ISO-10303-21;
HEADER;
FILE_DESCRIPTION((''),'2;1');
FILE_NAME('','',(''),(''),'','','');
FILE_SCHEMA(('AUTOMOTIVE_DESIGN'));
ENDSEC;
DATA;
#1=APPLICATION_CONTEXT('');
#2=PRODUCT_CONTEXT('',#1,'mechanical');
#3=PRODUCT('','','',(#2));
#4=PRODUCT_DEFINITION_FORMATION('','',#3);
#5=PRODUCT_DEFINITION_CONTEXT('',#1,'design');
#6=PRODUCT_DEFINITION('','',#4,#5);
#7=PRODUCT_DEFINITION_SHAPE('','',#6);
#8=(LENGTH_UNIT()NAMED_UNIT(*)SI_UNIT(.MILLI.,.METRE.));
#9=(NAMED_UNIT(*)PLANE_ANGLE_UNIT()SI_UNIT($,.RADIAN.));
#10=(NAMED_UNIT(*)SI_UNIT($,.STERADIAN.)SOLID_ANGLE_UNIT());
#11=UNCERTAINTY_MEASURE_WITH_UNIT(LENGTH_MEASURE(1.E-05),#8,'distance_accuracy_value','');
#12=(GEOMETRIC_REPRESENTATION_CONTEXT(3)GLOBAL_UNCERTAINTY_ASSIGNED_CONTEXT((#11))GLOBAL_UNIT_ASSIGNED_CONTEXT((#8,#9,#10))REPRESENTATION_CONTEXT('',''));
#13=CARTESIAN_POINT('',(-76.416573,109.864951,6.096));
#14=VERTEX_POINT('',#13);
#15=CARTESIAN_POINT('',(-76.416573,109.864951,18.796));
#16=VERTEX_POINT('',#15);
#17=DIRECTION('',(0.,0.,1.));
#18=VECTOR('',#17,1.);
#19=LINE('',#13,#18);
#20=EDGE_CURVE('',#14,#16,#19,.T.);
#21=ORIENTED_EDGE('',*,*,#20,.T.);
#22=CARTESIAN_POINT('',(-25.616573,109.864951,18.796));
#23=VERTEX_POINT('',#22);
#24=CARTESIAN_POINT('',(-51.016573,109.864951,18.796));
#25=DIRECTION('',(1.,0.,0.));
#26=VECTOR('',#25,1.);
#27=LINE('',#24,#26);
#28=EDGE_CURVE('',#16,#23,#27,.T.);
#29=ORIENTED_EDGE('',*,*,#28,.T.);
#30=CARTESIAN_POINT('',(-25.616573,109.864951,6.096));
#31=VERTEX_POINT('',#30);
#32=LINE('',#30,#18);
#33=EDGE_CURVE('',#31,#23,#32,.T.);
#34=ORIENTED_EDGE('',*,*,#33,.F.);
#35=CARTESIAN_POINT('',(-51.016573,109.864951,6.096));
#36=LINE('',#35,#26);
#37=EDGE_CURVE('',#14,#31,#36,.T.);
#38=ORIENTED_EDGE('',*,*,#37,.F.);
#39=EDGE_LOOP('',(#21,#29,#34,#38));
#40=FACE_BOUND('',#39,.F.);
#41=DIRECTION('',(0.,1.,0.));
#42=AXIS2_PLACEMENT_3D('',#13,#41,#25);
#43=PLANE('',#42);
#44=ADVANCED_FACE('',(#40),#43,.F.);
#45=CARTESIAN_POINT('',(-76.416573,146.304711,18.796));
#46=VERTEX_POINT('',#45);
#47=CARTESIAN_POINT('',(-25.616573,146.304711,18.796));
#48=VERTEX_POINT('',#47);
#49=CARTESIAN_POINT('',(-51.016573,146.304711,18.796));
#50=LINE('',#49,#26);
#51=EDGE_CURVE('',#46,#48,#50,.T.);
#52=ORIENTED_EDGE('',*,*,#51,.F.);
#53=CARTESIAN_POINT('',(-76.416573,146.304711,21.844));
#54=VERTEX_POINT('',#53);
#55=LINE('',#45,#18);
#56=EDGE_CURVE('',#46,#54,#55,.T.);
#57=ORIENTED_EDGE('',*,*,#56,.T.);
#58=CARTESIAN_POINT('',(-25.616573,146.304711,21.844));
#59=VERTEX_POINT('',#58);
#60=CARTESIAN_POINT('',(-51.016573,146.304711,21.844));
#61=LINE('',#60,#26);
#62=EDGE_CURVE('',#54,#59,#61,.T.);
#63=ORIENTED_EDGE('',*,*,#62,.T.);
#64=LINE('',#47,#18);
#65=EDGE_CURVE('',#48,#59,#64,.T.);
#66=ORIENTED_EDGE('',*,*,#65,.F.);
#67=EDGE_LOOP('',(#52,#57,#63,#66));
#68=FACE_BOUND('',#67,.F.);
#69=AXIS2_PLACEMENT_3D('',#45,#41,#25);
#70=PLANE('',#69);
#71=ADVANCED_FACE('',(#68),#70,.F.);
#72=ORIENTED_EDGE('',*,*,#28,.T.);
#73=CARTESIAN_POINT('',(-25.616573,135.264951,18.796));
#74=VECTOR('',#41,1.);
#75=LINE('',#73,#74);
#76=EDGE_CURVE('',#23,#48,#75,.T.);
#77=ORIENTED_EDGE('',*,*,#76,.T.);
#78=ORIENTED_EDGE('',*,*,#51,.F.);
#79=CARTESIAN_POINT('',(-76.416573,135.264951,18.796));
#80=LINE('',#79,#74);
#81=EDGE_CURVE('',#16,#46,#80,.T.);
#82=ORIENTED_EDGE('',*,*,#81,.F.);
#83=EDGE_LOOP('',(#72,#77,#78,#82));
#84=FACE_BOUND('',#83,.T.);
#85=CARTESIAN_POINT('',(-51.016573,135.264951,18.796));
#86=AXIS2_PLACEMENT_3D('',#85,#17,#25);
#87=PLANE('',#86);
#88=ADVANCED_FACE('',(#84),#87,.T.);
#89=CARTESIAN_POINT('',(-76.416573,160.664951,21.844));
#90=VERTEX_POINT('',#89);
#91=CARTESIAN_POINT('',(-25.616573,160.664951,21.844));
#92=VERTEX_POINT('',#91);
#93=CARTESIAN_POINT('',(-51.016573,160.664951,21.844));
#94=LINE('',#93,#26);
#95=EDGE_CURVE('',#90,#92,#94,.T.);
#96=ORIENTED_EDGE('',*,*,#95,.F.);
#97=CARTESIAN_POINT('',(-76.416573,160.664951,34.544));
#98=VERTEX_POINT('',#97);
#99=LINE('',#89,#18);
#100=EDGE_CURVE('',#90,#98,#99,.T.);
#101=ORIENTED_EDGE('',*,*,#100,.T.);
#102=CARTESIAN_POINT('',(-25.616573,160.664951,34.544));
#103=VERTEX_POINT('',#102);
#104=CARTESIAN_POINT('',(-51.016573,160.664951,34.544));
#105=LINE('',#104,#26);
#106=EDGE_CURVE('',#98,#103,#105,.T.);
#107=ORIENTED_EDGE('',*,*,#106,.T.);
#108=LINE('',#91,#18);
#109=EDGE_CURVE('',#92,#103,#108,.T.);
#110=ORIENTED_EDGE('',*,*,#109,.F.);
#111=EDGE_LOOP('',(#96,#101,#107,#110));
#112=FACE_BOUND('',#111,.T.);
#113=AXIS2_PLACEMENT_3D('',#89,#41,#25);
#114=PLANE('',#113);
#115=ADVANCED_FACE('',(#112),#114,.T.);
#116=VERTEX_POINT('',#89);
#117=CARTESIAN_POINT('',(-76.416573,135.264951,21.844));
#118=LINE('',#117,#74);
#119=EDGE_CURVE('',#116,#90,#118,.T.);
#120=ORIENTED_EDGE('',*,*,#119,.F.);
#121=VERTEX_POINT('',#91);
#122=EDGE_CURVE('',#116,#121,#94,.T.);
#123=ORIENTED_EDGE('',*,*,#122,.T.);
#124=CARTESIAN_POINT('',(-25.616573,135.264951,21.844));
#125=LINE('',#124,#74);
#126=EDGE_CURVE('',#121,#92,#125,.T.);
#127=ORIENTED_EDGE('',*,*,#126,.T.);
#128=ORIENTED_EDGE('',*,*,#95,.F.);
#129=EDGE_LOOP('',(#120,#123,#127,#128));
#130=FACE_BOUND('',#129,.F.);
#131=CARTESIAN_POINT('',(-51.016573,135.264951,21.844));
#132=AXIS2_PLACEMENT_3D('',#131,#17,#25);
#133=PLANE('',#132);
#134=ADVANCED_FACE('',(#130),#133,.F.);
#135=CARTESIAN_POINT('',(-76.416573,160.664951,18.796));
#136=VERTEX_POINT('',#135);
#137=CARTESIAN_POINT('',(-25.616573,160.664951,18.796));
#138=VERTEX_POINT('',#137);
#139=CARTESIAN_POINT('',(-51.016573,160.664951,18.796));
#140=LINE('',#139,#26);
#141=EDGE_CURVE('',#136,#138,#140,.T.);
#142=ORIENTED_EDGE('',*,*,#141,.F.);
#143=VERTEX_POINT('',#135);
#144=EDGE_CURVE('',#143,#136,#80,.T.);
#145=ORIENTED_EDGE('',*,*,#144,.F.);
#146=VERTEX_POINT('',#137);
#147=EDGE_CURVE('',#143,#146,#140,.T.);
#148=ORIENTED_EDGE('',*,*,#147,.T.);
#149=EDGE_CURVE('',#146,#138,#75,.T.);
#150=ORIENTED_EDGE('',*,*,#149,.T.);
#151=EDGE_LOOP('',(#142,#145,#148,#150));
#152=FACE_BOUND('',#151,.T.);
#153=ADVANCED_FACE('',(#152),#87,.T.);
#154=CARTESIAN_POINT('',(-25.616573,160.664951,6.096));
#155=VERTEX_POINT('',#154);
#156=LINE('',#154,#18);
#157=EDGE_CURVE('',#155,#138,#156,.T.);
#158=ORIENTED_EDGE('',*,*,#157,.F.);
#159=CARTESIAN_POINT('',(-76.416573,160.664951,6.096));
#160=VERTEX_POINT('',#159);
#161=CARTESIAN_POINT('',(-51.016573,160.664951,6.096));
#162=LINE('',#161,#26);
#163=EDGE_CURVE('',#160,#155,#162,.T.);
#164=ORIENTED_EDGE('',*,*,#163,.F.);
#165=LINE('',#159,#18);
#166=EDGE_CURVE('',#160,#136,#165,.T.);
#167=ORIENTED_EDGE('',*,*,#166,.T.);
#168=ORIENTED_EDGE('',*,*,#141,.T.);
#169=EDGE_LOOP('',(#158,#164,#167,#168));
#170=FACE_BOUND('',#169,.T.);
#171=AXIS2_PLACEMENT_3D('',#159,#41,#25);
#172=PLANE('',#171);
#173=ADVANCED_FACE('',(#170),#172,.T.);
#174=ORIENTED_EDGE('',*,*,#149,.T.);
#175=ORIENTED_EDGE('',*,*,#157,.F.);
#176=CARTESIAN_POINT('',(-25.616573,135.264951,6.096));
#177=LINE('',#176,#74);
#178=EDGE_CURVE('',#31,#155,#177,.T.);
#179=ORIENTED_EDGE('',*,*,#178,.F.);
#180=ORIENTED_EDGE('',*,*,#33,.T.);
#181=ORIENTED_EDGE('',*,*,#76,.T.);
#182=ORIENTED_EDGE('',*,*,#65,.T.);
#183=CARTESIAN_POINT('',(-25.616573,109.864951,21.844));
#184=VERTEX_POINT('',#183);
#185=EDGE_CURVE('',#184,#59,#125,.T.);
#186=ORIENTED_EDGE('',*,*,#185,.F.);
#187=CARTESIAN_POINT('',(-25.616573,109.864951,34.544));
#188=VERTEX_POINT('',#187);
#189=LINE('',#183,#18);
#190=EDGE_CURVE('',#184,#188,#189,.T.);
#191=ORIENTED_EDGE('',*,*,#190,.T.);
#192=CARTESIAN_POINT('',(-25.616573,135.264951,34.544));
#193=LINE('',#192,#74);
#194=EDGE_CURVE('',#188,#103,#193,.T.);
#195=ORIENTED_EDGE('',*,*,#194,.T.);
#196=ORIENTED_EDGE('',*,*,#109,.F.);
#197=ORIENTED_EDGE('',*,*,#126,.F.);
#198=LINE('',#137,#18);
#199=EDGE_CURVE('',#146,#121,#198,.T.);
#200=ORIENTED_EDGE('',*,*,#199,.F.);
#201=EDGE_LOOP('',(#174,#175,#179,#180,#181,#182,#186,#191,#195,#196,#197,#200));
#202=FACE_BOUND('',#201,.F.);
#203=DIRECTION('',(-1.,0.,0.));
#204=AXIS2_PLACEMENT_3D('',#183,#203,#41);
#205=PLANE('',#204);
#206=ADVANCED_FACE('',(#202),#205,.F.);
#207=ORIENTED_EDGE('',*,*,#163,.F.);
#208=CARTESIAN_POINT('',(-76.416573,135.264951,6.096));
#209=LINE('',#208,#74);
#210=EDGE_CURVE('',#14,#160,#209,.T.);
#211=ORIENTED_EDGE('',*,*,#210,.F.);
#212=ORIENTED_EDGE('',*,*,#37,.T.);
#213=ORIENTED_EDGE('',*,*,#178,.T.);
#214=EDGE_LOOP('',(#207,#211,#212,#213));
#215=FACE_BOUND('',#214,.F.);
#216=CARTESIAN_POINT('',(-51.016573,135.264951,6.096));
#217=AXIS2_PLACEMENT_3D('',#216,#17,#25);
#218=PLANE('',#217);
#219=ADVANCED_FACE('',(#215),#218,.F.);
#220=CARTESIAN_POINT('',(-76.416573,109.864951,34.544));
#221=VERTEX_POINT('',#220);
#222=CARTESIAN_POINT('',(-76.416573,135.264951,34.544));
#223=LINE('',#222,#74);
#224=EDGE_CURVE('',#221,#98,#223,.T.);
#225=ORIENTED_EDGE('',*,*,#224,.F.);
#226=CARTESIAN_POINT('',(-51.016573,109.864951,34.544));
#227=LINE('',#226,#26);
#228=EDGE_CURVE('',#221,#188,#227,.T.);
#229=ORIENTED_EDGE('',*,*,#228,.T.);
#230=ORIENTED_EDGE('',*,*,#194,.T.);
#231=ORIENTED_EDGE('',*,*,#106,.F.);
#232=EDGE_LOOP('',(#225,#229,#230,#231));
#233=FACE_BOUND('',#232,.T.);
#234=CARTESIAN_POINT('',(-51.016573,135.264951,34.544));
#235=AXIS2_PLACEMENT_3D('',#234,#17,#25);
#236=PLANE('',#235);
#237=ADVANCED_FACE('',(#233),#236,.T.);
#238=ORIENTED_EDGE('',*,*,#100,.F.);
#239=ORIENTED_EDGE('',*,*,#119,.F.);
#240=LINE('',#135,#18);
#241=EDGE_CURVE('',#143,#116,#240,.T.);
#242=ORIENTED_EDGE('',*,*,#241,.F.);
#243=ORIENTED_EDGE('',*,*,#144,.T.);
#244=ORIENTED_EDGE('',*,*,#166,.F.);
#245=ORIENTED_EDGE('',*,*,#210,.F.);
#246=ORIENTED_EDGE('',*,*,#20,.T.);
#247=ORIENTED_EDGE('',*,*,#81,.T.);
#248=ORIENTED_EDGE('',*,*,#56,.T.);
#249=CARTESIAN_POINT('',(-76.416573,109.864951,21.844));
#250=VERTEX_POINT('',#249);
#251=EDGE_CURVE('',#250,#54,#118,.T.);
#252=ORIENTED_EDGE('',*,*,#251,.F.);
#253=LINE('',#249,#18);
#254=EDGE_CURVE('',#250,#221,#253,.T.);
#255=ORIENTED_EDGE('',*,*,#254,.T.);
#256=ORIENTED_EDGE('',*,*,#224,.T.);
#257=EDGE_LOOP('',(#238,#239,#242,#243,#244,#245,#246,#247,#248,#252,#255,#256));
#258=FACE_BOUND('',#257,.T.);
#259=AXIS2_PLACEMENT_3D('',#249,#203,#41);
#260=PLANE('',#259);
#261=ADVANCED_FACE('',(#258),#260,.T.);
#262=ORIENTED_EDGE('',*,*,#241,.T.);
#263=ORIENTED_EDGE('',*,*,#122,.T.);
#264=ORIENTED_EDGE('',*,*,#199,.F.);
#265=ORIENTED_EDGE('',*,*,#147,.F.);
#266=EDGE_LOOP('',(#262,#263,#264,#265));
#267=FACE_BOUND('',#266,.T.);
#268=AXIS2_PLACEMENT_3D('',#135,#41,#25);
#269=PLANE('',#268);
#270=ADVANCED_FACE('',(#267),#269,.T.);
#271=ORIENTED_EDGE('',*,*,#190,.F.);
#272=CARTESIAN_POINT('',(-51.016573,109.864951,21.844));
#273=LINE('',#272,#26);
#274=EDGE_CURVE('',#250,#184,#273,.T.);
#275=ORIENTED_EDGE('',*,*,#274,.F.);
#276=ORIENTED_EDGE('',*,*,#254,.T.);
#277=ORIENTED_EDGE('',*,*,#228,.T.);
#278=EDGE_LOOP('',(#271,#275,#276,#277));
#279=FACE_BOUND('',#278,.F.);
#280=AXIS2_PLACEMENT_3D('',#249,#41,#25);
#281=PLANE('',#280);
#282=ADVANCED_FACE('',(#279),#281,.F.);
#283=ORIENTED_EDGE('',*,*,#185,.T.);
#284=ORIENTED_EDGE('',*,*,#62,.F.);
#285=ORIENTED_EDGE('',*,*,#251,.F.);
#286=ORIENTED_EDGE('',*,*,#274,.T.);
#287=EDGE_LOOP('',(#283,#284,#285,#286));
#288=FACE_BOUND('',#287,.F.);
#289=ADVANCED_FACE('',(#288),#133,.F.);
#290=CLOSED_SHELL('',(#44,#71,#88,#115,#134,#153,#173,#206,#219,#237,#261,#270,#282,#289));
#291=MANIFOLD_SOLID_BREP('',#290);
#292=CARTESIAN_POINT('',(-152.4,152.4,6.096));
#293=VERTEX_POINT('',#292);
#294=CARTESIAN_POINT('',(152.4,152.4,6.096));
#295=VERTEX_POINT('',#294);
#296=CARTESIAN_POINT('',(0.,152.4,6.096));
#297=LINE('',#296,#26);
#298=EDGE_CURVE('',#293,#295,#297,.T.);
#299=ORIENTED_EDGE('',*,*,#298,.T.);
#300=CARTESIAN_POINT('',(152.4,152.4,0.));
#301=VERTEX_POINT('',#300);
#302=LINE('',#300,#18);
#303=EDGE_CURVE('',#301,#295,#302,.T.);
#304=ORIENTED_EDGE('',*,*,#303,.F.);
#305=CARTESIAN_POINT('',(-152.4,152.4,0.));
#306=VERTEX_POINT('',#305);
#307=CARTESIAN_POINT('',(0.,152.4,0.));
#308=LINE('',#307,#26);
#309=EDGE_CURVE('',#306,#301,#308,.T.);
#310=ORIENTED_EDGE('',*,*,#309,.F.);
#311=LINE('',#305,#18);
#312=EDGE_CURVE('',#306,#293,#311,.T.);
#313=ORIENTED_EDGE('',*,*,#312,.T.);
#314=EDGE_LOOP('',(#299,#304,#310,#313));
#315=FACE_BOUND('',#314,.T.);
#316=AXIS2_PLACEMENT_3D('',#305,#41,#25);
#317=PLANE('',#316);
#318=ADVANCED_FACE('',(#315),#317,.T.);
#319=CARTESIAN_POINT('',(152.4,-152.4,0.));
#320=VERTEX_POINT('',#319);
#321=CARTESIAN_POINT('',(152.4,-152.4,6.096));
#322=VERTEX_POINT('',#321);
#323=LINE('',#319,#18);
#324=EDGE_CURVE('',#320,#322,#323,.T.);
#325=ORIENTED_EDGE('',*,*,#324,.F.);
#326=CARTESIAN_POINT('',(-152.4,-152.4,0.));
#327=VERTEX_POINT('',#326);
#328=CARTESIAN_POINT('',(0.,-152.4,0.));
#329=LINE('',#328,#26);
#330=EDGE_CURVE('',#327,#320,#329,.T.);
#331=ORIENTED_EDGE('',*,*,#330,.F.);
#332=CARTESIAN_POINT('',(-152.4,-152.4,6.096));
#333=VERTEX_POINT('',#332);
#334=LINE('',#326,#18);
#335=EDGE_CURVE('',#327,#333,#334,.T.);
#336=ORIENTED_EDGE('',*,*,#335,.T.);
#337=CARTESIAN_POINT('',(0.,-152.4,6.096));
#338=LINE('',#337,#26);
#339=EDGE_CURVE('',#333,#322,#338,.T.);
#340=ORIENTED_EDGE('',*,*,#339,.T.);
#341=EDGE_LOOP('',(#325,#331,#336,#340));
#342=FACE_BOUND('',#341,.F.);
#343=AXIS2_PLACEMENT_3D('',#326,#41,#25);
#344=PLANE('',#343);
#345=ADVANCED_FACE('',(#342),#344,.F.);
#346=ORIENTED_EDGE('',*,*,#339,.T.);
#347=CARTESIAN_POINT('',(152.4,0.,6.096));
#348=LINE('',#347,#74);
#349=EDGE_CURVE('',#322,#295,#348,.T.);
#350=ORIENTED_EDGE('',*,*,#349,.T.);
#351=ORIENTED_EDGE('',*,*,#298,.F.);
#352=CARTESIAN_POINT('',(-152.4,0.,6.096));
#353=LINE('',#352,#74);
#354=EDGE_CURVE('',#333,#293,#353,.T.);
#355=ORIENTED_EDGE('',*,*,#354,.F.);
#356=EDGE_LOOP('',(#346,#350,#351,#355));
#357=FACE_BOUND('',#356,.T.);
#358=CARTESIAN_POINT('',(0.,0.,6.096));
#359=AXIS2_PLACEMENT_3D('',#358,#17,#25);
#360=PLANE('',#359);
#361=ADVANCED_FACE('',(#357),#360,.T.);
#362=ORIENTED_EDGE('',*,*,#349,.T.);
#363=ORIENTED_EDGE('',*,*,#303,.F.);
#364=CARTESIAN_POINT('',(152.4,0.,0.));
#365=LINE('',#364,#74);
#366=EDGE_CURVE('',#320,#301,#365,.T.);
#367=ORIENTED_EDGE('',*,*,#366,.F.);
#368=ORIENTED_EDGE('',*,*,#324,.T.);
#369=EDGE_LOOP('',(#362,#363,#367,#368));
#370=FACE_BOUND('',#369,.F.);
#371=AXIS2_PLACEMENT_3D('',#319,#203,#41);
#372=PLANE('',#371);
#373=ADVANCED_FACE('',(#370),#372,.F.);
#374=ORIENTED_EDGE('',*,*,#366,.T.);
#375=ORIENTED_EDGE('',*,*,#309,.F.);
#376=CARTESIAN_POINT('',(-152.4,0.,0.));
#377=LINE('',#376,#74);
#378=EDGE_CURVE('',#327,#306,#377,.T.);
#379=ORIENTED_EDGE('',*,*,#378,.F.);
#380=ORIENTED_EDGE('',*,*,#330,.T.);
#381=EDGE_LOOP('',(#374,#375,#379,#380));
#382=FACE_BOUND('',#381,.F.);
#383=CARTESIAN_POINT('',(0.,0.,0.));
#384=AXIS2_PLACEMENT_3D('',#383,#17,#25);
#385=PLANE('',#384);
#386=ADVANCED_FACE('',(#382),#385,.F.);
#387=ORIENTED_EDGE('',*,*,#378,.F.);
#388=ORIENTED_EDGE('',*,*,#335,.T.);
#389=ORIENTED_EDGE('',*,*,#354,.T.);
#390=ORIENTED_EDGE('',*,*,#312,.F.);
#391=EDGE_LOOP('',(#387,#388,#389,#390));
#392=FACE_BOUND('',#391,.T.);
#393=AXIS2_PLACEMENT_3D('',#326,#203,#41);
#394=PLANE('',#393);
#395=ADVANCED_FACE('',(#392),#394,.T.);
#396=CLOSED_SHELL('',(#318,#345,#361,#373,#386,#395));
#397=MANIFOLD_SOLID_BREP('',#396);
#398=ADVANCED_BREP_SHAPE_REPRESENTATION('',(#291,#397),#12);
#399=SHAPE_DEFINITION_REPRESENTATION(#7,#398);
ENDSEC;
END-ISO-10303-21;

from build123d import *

# Parameters (mm, degrees)
F0_W     = 304.8
F0_H     = 304.8
F1_DEPTH = 6.096
F2_W     = 50.8
F2_H     = 50.8
F3_DEPTH = 12.7
F4_W     = 50.8
F4_H     = 14.360239
F5_DEPTH = 3.048
F6_W     = 50.8
F6_H     = 50.8
F7_DEPTH = 12.7


with BuildPart() as f1:
    # F0 (on Top) → F1 (new body)
    with BuildSketch(Plane.XY):
        Rectangle(F0_W, F0_H)
    extrude(amount=F1_DEPTH)


with BuildPart() as f3:
    # F2 (on face) → F3 (new body)
    with BuildSketch(Plane.XY.offset(6.096)):
        with Locations((-51.016573, 135.264951)):
            Rectangle(F2_W, F2_H)
    extrude(amount=F3_DEPTH)

    # F4 (on face) → F5 (join)
    with BuildSketch(Plane.XY.offset(18.796)):
        with Locations((-51.016573, 153.484831)):
            Rectangle(F4_W, F4_H)
    extrude(amount=F5_DEPTH)

    # F6 (on face) → F7 (join)
    with BuildSketch(Plane.XY.offset(21.844)):
        with Locations((-51.016573, 135.264951)):
            Rectangle(F6_W, F6_H)
    extrude(amount=F7_DEPTH)


solid = Compound([f1.part, f3.part])
